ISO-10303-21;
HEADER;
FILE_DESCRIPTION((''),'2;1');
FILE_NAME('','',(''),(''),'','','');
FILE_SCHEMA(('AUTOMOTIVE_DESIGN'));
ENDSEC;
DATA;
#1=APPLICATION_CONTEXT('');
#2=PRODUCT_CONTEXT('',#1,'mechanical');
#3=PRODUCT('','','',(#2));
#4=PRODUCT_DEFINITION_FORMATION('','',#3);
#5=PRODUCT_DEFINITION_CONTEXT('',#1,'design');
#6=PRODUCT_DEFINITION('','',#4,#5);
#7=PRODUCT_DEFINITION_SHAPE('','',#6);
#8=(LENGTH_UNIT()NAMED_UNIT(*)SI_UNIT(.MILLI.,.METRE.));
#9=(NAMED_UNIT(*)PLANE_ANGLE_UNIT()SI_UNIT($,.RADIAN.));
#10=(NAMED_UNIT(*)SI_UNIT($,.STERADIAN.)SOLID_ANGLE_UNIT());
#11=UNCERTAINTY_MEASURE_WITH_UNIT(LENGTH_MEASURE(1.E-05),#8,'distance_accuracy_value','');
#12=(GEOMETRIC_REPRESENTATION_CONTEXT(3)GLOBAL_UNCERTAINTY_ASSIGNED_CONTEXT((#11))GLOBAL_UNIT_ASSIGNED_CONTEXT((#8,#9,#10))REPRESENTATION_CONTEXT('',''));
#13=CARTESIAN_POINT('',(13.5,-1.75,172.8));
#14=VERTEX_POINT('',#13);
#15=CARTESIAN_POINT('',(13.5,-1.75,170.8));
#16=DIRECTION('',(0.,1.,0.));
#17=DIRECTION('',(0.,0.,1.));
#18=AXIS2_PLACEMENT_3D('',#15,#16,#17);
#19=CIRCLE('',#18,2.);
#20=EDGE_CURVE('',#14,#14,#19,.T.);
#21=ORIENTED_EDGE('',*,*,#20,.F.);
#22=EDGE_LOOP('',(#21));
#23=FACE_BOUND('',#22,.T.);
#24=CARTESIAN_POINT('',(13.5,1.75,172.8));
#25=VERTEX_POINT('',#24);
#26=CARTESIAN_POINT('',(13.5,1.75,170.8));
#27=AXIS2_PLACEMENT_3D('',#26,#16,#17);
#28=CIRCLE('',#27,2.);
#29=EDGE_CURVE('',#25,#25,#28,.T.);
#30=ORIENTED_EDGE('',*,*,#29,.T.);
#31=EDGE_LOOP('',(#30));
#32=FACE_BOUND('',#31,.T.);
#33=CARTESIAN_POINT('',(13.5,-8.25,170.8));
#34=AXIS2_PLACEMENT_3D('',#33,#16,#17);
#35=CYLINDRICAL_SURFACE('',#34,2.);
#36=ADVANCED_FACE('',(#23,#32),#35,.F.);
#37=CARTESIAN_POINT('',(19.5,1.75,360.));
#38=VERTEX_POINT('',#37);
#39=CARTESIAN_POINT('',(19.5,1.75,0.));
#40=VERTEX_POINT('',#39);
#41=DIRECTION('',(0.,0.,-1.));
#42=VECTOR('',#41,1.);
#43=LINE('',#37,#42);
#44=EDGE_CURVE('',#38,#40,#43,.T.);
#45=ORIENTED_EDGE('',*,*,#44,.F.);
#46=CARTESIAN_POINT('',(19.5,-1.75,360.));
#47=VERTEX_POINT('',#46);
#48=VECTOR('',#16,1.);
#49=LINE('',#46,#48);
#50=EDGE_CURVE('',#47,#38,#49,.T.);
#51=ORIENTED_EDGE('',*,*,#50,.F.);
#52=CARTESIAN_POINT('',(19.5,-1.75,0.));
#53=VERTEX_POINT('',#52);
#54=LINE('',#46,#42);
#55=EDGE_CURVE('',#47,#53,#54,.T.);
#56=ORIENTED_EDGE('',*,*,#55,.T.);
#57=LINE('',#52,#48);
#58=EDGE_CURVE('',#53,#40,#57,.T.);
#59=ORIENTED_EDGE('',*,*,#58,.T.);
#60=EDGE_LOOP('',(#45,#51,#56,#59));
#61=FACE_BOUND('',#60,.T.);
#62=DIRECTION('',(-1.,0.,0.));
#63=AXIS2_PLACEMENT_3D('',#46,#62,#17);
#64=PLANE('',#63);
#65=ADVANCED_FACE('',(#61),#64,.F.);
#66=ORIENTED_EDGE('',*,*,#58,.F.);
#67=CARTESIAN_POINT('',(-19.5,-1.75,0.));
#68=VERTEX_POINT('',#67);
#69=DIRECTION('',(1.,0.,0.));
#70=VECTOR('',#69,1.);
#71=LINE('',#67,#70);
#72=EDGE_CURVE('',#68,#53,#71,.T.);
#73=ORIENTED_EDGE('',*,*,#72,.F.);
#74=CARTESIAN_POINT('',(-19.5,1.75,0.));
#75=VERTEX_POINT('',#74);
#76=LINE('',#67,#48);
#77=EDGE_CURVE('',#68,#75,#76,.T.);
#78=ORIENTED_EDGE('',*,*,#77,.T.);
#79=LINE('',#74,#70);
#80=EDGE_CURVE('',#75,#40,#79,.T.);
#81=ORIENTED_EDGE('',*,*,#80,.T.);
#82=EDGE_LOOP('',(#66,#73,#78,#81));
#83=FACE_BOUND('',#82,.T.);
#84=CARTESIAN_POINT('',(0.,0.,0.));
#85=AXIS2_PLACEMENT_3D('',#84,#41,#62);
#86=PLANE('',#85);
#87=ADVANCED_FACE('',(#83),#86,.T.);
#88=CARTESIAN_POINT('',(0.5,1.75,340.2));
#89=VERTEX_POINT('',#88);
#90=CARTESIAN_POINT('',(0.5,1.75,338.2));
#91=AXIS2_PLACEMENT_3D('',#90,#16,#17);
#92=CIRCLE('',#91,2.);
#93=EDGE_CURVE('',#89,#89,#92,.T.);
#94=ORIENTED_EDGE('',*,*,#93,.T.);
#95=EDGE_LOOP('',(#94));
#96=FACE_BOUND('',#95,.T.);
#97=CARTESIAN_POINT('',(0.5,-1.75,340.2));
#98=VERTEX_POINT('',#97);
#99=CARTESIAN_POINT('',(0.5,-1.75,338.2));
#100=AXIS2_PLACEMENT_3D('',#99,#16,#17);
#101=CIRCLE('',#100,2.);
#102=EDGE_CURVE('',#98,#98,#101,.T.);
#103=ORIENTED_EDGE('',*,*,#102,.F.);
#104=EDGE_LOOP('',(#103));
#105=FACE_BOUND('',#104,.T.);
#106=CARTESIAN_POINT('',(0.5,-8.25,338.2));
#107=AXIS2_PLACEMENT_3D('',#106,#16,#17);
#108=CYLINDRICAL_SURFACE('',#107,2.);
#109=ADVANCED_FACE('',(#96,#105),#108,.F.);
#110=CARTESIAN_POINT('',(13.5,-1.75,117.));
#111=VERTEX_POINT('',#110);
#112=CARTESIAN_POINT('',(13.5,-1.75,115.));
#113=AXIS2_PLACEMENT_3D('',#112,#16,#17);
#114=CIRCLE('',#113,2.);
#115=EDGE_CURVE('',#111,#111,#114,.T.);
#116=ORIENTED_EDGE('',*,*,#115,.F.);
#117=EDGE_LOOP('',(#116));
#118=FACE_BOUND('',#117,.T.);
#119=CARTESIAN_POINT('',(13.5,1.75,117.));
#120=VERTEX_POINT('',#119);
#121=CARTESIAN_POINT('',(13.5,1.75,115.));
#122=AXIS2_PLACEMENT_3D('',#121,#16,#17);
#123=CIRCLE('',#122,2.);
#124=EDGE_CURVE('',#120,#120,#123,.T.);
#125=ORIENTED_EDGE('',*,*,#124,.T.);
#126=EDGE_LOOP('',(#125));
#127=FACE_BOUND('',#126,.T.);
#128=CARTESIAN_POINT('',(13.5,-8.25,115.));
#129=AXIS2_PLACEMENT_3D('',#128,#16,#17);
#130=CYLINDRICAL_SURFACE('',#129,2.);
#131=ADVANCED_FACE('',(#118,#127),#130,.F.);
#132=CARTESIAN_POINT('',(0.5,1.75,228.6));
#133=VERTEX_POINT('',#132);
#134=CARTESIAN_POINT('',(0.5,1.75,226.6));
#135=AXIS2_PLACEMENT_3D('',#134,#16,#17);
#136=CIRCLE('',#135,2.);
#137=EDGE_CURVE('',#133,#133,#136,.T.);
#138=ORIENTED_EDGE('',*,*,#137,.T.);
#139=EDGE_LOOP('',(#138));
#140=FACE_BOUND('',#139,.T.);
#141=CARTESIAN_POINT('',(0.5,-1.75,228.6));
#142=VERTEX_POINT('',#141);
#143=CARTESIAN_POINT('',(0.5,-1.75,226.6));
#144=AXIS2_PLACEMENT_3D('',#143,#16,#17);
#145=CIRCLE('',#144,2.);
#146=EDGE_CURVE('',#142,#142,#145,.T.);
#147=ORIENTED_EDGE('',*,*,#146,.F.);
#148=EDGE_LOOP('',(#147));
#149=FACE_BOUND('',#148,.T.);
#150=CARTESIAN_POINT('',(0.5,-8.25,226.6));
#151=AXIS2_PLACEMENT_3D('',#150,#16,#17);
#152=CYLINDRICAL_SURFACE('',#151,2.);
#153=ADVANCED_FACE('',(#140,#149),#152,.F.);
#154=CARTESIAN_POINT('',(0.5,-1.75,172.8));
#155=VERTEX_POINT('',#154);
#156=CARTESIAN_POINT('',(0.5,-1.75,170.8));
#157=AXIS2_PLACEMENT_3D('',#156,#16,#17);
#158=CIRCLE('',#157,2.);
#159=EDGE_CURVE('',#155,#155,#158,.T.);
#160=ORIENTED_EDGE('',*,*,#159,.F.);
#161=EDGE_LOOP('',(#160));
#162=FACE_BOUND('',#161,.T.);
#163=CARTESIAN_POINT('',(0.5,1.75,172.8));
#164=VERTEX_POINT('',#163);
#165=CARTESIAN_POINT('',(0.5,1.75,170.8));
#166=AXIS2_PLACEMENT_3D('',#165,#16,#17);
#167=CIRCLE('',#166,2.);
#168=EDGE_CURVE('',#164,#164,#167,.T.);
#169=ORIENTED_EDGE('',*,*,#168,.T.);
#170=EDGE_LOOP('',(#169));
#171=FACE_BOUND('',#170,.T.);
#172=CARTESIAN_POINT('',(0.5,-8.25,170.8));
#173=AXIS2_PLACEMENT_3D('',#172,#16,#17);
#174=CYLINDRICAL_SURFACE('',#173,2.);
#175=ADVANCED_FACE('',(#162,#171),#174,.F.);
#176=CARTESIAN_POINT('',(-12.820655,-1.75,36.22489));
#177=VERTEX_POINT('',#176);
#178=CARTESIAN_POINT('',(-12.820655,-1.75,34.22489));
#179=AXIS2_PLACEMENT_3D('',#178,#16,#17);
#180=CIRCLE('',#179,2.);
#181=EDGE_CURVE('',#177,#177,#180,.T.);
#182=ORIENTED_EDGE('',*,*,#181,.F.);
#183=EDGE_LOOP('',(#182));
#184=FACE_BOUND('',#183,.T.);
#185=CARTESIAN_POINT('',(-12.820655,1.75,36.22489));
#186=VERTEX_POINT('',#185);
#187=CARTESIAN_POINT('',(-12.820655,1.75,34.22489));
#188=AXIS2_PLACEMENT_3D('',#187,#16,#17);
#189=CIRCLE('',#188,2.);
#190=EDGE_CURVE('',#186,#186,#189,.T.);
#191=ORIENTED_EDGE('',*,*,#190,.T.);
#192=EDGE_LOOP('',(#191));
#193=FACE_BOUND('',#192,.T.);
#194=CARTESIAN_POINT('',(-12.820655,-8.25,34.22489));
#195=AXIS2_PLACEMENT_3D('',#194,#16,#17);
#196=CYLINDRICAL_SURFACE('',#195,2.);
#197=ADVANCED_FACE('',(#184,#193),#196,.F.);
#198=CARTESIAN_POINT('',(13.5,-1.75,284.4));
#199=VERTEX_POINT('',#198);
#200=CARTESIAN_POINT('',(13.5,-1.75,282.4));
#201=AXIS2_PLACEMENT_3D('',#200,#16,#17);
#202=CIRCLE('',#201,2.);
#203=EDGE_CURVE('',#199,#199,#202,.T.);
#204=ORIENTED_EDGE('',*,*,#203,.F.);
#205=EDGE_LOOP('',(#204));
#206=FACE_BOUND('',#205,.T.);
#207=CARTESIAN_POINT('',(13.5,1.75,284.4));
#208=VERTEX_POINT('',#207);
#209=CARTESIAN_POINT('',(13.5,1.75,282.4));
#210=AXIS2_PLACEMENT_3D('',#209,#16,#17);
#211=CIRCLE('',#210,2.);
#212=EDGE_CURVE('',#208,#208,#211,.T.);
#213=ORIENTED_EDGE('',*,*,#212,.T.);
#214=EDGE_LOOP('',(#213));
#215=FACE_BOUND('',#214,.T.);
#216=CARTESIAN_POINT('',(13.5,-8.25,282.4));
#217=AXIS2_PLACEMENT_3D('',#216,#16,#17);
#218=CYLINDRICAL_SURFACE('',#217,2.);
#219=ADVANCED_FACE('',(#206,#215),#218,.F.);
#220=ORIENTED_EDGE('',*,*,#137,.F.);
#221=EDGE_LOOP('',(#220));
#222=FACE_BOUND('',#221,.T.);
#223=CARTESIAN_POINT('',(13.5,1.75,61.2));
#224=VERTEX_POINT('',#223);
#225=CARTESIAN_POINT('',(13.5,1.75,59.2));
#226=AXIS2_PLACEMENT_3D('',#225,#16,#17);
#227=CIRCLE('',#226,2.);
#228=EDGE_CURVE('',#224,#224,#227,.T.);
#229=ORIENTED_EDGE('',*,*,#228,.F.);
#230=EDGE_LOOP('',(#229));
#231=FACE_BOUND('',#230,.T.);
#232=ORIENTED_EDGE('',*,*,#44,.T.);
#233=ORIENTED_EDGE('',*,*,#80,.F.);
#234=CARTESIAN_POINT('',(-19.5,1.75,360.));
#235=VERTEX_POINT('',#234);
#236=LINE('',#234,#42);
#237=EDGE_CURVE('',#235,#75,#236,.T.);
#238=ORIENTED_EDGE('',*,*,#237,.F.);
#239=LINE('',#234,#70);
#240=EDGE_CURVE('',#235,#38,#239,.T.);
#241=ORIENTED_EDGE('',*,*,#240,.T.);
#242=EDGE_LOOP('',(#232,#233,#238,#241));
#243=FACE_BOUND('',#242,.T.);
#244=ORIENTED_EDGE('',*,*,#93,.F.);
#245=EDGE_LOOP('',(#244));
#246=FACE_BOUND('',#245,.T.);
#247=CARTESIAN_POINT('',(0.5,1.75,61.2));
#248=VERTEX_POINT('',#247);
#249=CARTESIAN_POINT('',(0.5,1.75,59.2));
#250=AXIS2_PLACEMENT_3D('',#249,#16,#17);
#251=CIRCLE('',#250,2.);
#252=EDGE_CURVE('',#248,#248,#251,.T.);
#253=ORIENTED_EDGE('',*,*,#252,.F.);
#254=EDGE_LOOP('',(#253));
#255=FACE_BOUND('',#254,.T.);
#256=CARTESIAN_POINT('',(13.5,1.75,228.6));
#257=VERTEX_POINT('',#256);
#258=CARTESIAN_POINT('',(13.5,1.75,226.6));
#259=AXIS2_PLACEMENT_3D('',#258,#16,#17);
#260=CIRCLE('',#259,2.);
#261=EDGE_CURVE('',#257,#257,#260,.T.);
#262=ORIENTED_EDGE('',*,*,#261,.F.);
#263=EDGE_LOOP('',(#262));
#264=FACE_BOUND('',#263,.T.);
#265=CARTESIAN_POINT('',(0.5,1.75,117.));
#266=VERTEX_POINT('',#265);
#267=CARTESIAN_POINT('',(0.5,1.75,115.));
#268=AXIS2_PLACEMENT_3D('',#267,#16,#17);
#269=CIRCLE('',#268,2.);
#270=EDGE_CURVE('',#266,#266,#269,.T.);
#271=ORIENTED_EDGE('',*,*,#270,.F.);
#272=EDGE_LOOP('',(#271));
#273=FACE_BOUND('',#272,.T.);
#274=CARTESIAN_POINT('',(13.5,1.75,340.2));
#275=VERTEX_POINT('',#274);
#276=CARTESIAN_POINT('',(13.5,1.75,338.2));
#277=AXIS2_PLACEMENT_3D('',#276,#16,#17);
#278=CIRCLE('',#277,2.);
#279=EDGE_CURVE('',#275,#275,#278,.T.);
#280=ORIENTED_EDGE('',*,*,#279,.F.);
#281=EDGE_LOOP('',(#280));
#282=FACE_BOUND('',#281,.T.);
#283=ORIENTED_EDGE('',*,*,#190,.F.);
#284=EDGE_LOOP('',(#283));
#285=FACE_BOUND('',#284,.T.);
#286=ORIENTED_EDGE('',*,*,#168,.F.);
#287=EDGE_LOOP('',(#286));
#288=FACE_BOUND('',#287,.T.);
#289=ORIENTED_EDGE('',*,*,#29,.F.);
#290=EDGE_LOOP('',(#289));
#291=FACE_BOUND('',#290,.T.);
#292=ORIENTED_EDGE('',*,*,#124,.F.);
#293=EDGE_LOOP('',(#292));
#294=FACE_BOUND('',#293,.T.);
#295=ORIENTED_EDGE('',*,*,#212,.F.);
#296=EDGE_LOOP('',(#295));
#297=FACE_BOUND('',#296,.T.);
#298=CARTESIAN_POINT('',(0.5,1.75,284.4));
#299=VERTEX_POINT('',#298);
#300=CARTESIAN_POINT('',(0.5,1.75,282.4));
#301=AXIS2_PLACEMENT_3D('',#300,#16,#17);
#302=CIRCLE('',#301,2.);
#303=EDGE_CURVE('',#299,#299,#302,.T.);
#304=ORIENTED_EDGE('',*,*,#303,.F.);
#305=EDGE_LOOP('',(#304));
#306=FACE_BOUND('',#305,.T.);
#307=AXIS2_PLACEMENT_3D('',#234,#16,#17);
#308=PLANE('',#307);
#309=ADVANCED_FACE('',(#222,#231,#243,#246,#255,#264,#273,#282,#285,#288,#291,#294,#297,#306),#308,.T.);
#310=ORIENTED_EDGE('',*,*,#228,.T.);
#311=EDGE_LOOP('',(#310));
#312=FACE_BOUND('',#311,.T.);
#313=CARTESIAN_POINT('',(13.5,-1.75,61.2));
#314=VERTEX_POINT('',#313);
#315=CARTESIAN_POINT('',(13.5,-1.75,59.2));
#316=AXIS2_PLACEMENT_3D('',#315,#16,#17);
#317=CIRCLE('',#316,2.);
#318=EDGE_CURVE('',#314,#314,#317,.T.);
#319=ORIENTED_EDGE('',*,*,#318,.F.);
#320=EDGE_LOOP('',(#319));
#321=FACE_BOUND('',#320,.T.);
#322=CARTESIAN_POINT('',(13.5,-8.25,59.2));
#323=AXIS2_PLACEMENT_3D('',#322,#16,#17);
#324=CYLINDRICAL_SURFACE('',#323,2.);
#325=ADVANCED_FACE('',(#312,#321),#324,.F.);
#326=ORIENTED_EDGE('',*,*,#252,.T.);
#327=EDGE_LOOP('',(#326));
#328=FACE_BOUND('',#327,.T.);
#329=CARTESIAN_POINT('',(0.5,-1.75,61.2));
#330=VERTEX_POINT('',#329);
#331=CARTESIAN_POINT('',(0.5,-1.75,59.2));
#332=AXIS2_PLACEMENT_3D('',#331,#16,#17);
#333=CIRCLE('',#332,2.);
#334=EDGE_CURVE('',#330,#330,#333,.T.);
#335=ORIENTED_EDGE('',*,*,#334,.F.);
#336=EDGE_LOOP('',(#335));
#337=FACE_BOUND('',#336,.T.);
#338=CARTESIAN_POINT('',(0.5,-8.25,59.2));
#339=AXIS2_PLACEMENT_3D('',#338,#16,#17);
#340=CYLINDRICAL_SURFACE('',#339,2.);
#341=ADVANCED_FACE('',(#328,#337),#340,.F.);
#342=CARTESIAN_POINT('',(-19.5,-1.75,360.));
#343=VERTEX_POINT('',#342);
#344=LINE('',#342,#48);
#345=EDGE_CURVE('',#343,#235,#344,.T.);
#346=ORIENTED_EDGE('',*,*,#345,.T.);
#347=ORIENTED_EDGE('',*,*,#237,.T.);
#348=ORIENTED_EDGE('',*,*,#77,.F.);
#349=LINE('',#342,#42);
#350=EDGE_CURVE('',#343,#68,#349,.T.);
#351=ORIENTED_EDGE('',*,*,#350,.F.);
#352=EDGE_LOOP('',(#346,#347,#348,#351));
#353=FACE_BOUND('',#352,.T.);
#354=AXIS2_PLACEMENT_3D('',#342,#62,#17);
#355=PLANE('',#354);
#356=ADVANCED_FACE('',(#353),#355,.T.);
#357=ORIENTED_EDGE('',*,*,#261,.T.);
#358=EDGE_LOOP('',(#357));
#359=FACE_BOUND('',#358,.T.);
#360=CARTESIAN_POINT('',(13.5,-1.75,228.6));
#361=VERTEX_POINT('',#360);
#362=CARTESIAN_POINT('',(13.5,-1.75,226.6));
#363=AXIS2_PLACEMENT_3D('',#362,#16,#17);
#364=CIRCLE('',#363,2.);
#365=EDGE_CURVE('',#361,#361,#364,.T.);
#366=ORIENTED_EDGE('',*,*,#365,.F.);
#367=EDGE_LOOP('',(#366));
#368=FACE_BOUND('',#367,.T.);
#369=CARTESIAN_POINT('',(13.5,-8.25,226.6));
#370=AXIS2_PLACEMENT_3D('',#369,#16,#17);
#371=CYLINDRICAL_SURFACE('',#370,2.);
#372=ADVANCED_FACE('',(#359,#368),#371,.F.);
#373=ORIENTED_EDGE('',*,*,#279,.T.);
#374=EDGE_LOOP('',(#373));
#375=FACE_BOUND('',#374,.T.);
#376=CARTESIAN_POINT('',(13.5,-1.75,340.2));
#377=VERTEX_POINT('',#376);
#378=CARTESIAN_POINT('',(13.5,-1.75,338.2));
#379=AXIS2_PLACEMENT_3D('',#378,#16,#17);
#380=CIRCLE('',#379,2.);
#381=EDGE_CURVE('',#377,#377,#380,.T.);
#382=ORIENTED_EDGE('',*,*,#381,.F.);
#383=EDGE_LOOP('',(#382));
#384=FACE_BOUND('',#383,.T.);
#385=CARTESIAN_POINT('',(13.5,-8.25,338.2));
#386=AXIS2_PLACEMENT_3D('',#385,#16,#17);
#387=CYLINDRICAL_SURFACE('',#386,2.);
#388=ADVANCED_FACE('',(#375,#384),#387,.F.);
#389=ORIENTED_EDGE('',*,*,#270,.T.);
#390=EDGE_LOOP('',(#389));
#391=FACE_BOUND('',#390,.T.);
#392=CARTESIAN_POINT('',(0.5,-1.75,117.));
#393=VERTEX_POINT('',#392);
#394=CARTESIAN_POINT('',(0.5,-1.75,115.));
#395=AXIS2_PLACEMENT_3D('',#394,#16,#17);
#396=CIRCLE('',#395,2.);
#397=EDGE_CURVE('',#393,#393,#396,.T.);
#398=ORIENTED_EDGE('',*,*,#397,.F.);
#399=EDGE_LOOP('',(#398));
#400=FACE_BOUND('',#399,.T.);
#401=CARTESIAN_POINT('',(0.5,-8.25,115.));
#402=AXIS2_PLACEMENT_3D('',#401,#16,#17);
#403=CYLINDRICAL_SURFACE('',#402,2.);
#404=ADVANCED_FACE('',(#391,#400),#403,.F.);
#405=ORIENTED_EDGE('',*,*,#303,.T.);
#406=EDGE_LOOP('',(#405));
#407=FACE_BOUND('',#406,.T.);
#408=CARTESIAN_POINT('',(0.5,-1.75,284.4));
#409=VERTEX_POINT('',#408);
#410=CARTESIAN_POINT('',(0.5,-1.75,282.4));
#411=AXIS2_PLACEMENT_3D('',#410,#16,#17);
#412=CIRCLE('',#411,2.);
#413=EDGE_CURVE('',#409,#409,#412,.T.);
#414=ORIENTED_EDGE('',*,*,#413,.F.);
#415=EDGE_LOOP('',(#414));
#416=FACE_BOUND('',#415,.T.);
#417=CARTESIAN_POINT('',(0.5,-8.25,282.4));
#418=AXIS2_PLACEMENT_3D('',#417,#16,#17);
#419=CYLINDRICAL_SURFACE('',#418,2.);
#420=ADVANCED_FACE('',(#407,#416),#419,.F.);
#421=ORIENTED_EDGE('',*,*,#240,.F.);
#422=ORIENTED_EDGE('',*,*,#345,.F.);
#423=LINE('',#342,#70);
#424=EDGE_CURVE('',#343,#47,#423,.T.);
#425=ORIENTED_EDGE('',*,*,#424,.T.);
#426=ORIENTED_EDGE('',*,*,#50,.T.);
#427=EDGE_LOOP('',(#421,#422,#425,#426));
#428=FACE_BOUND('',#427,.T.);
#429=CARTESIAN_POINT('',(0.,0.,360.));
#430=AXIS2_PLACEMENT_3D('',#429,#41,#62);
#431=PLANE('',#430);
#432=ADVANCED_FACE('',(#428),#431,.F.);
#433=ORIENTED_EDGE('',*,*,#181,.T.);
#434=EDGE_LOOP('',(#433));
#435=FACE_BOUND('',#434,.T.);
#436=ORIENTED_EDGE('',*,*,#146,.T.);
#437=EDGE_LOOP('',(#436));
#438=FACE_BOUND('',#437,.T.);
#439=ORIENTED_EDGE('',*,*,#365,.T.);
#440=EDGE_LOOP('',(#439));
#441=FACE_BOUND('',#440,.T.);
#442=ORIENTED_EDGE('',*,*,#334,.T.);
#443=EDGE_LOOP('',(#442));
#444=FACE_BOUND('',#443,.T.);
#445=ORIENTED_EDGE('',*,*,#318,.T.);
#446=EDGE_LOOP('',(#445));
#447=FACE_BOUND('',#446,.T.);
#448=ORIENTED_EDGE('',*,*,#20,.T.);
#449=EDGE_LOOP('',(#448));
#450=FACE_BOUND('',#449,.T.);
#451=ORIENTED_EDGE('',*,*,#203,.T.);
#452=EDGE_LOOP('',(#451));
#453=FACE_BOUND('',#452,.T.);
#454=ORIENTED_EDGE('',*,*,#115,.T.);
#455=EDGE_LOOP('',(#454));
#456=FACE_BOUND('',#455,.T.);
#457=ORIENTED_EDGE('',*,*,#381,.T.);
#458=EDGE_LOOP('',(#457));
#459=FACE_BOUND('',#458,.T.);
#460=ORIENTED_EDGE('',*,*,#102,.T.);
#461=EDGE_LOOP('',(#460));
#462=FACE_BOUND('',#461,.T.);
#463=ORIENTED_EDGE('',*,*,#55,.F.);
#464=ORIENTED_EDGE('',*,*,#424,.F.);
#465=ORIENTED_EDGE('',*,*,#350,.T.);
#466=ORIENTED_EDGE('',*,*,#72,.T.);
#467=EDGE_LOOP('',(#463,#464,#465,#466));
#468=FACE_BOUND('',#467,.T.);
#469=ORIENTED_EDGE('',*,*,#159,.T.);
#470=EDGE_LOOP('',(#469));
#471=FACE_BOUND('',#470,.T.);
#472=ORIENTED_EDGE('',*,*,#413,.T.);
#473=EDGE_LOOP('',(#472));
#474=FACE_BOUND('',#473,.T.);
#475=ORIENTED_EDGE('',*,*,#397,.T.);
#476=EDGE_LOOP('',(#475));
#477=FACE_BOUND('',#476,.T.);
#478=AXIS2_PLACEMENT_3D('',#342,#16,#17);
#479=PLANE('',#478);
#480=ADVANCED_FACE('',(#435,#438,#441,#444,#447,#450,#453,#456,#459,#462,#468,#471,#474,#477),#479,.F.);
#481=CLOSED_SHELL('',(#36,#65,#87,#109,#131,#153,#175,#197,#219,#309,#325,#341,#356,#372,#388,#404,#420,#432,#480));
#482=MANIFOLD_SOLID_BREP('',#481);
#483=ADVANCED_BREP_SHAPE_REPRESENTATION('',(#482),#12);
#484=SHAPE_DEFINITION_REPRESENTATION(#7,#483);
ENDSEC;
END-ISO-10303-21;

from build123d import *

# Parameters (mm, degrees)
SKETCH1_W           = 39
SKETCH1_H           = 3.5
BOSS_EXTRUDE1_DEPTH = 360
SKETCH2_R           = 2
CUT_EXTRUDE1_DEPTH  = 10
SKETCH3_R           = 2
CUT_EXTRUDE2_DEPTH  = 10
LPATTERN1_COUNT     = 6
LPATTERN1_PITCH     = 55.8


with BuildPart() as part:
    # Sketch1 → Boss-Extrude1 (new body)
    with BuildSketch(Plane.XY):
        Rectangle(SKETCH1_W, SKETCH1_H)
    extrude(amount=BOSS_EXTRUDE1_DEPTH)

    # Sketch2 → Cut-Extrude1 (cut)
    with BuildSketch(Plane(origin=(0, 1.75, 0), x_dir=(1, 0, 0), z_dir=(0, 1, 0))):
        with Locations(Location((-12.820655038, -34.224890394, 0), (0, 0, 270))):
            Circle(SKETCH2_R)
    extrude(amount=-CUT_EXTRUDE1_DEPTH, mode=Mode.SUBTRACT)

    # Sketch3 → Cut-Extrude2 (cut)
    with BuildSketch(Plane(origin=(0, 1.75, 0), x_dir=(1, 0, 0), z_dir=(0, 1, 0))):
        with Locations(Location((0.5, -59.2, 0), (0, 0, 270))):
            Circle(SKETCH3_R)
        with Locations(Location((13.5, -59.2, 0), (0, 0, 270))):
            Circle(SKETCH3_R)
    cut_extrude2 = extrude(amount=-CUT_EXTRUDE2_DEPTH, mode=Mode.SUBTRACT)

    # LPattern1: Cut-Extrude2 ×6
    with Locations(*[(0, 0, i * LPATTERN1_PITCH) for i in range(1, LPATTERN1_COUNT)]):
        add(cut_extrude2, mode=Mode.SUBTRACT)


solid = part.part
